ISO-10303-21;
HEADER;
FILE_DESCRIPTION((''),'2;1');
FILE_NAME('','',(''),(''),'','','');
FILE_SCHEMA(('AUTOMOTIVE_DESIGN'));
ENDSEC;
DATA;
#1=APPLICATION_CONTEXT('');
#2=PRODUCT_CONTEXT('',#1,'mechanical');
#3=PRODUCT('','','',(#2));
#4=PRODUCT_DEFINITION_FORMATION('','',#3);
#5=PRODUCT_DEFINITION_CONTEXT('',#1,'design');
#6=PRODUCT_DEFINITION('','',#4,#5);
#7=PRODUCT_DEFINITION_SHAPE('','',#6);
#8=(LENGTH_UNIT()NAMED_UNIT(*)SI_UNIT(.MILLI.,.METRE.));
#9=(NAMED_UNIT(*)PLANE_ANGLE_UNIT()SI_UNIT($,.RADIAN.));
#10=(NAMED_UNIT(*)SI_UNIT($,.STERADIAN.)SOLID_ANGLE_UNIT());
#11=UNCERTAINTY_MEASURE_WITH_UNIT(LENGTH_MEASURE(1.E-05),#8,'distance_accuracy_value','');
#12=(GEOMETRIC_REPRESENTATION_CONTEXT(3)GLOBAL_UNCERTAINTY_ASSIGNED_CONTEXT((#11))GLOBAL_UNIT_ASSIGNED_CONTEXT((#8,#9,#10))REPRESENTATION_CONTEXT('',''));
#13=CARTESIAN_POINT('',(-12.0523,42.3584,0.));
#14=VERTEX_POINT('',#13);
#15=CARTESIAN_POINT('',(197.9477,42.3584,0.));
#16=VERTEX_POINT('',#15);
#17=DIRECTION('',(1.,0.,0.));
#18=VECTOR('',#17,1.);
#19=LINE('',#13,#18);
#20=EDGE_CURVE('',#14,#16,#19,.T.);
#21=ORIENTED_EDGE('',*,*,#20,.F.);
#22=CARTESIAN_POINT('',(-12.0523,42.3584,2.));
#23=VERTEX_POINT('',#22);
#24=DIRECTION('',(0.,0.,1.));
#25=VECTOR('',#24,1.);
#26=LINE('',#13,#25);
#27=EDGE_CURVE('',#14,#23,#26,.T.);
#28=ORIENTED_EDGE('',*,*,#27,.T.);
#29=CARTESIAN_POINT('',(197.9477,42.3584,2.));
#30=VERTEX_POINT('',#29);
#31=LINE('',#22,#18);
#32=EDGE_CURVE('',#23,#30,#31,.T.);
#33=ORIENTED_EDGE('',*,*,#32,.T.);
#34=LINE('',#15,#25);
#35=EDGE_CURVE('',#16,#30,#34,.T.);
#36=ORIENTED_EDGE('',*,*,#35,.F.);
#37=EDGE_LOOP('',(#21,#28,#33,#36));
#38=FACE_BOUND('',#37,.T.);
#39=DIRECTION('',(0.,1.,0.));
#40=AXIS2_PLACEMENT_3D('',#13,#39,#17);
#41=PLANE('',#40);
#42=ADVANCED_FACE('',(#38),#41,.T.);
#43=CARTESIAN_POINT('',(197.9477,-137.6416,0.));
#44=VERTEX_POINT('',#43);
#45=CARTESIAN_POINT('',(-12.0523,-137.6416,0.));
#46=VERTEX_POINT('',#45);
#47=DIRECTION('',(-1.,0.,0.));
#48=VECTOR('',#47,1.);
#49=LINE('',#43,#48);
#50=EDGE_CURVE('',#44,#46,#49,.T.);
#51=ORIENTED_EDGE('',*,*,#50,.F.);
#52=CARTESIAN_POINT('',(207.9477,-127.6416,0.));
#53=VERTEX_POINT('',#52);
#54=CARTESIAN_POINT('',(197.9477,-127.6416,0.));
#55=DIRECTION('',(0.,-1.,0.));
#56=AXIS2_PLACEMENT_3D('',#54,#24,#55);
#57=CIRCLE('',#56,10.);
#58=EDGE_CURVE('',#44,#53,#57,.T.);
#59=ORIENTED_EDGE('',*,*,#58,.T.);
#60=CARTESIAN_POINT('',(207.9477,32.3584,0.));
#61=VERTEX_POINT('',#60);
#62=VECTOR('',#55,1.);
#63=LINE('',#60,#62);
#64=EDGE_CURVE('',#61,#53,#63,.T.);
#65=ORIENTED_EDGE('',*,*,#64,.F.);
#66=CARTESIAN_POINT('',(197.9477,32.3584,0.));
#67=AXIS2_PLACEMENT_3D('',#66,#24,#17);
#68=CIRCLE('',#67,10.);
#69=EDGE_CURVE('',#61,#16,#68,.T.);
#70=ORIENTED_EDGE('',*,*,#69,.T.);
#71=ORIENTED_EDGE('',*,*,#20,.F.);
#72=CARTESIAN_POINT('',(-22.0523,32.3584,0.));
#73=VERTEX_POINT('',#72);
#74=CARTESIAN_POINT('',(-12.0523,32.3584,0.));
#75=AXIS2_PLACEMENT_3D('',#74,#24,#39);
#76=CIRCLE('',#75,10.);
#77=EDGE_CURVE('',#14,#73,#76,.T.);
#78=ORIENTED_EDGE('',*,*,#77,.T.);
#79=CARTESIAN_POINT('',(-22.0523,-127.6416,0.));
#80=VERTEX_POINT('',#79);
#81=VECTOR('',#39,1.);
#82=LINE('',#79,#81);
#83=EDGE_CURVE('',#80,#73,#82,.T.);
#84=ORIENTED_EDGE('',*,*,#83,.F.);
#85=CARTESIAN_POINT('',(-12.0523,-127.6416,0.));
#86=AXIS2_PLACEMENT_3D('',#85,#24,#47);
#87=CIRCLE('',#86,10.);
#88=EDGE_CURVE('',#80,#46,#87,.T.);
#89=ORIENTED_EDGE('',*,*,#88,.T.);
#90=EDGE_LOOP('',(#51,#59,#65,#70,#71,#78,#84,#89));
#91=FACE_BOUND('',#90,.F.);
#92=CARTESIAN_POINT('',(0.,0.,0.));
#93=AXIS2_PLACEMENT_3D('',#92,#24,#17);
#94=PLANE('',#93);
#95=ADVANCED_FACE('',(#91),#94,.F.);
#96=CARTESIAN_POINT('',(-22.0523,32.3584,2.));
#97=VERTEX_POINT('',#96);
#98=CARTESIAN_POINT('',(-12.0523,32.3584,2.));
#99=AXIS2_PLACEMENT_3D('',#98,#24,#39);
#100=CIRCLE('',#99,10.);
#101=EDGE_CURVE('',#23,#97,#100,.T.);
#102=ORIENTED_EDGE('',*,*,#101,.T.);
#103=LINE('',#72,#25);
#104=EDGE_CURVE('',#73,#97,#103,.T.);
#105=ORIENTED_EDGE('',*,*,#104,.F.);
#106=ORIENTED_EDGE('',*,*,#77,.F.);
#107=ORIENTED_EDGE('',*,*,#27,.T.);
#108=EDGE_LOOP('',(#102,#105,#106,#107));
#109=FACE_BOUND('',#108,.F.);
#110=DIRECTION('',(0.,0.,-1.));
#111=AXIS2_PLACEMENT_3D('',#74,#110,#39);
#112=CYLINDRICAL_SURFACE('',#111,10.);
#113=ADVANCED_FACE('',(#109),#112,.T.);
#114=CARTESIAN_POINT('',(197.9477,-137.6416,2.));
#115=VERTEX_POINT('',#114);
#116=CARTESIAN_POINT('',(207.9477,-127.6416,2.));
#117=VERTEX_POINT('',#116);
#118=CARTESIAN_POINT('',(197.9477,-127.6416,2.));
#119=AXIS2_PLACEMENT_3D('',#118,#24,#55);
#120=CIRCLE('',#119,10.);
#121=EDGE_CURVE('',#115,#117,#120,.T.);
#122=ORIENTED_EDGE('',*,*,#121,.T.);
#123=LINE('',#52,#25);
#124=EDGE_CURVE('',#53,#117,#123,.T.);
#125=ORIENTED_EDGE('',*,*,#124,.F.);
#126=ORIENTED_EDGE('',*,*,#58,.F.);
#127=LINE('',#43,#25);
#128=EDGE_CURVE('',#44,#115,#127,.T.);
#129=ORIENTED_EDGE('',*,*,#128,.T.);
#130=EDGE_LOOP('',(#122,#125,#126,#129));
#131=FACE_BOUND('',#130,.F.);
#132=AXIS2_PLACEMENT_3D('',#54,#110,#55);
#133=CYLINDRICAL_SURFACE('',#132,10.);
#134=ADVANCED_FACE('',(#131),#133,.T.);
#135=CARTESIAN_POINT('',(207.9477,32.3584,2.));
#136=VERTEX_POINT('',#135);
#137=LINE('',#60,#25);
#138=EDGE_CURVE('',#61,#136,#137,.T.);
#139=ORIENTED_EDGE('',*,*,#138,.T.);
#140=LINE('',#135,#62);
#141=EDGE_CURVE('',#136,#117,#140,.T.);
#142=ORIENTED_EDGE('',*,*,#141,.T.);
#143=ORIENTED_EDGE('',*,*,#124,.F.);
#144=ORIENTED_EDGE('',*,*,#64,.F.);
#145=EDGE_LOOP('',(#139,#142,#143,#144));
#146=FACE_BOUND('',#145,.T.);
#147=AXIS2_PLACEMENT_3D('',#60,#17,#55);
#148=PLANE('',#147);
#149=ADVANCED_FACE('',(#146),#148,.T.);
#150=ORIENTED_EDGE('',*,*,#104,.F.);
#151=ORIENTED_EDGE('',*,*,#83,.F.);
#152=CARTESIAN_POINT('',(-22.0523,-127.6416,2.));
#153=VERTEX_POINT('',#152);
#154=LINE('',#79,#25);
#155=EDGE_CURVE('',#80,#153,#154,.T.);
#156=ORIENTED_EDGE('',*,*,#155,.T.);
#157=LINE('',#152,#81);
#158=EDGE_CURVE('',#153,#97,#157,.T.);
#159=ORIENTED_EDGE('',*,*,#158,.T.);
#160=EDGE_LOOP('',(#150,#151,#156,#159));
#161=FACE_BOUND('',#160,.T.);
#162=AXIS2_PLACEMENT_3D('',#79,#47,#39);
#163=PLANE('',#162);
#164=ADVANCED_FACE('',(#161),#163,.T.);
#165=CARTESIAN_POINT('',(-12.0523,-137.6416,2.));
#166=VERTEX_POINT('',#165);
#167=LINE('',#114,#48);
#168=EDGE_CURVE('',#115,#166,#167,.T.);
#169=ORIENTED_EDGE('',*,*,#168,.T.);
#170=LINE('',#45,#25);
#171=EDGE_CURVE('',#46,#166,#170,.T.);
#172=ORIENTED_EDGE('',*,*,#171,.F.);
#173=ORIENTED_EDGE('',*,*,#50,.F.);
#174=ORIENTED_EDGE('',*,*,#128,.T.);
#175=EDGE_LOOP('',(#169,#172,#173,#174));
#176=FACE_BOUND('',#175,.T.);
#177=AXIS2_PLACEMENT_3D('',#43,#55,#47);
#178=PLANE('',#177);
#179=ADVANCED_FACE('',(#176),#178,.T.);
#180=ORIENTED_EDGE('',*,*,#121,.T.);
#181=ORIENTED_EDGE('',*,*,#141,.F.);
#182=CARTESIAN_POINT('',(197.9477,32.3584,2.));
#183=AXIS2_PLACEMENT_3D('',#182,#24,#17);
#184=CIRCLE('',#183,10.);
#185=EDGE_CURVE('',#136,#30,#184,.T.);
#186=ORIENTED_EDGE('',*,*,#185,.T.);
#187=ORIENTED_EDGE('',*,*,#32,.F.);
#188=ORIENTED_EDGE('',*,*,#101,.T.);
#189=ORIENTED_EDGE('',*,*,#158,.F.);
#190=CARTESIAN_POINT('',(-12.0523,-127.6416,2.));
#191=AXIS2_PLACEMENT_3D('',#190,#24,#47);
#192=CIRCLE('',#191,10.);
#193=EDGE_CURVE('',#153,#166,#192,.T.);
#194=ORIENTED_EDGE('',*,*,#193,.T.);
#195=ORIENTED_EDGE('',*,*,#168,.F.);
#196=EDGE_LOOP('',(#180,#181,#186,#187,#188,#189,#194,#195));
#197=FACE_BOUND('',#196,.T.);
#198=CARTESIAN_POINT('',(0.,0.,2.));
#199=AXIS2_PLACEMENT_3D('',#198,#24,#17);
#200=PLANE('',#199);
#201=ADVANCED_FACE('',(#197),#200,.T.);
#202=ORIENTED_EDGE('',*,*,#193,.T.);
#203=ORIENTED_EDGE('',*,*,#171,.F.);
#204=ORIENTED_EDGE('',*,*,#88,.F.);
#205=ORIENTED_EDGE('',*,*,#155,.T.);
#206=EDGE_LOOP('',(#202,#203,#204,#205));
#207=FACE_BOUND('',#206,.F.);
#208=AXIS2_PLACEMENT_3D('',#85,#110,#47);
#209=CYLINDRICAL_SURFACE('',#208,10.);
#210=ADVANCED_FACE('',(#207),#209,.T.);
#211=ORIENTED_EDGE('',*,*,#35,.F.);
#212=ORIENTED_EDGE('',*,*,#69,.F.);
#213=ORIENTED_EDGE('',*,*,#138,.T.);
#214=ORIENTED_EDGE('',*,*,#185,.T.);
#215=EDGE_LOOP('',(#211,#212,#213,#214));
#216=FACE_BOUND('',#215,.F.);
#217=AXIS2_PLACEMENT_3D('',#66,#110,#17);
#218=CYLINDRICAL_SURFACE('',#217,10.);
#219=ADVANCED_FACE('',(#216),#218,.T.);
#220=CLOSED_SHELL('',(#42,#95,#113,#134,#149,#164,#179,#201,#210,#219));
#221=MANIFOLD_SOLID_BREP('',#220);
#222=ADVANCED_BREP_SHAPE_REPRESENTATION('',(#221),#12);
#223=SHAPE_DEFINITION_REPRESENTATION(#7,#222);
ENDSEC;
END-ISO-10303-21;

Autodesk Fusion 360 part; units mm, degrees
sketch "Skizze1" plane through (0, 0, 0) normal (0, 0, 1) x (1, 0, 0)
  line L0 (-12.0523, 42.3584) -> (197.9477, 42.3584)
  line L1 (207.9477, 32.3584) -> (207.9477, -127.6416)
  line L2 (197.9477, -137.6416) -> (-12.0523, -137.6416)
  line L3 (-22.0523, -127.6416) -> (-22.0523, 32.3584)
  arc A0 (-12.0523, 42.3584) -> (-22.0523, 32.3584) centre (-12.0523, 32.3584) ccw
  arc A1 (207.9477, 32.3584) -> (197.9477, 42.3584) centre (197.9477, 32.3584) ccw
  arc A2 (197.9477, -137.6416) -> (207.9477, -127.6416) centre (197.9477, -127.6416) ccw
  arc A3 (-22.0523, -127.6416) -> (-12.0523, -137.6416) centre (-12.0523, -127.6416) ccw
  point P0 (-22.0523, 42.3584)
  point P1 (207.9477, 42.3584)
  point P2 (-22.0523, -137.6416)
  dimension "d1" = 230
  dimension "d2" = 180
  dimension "d3" = 10
extrude "Extrusion1" add sketch "Skizze1" along normal blind 2
